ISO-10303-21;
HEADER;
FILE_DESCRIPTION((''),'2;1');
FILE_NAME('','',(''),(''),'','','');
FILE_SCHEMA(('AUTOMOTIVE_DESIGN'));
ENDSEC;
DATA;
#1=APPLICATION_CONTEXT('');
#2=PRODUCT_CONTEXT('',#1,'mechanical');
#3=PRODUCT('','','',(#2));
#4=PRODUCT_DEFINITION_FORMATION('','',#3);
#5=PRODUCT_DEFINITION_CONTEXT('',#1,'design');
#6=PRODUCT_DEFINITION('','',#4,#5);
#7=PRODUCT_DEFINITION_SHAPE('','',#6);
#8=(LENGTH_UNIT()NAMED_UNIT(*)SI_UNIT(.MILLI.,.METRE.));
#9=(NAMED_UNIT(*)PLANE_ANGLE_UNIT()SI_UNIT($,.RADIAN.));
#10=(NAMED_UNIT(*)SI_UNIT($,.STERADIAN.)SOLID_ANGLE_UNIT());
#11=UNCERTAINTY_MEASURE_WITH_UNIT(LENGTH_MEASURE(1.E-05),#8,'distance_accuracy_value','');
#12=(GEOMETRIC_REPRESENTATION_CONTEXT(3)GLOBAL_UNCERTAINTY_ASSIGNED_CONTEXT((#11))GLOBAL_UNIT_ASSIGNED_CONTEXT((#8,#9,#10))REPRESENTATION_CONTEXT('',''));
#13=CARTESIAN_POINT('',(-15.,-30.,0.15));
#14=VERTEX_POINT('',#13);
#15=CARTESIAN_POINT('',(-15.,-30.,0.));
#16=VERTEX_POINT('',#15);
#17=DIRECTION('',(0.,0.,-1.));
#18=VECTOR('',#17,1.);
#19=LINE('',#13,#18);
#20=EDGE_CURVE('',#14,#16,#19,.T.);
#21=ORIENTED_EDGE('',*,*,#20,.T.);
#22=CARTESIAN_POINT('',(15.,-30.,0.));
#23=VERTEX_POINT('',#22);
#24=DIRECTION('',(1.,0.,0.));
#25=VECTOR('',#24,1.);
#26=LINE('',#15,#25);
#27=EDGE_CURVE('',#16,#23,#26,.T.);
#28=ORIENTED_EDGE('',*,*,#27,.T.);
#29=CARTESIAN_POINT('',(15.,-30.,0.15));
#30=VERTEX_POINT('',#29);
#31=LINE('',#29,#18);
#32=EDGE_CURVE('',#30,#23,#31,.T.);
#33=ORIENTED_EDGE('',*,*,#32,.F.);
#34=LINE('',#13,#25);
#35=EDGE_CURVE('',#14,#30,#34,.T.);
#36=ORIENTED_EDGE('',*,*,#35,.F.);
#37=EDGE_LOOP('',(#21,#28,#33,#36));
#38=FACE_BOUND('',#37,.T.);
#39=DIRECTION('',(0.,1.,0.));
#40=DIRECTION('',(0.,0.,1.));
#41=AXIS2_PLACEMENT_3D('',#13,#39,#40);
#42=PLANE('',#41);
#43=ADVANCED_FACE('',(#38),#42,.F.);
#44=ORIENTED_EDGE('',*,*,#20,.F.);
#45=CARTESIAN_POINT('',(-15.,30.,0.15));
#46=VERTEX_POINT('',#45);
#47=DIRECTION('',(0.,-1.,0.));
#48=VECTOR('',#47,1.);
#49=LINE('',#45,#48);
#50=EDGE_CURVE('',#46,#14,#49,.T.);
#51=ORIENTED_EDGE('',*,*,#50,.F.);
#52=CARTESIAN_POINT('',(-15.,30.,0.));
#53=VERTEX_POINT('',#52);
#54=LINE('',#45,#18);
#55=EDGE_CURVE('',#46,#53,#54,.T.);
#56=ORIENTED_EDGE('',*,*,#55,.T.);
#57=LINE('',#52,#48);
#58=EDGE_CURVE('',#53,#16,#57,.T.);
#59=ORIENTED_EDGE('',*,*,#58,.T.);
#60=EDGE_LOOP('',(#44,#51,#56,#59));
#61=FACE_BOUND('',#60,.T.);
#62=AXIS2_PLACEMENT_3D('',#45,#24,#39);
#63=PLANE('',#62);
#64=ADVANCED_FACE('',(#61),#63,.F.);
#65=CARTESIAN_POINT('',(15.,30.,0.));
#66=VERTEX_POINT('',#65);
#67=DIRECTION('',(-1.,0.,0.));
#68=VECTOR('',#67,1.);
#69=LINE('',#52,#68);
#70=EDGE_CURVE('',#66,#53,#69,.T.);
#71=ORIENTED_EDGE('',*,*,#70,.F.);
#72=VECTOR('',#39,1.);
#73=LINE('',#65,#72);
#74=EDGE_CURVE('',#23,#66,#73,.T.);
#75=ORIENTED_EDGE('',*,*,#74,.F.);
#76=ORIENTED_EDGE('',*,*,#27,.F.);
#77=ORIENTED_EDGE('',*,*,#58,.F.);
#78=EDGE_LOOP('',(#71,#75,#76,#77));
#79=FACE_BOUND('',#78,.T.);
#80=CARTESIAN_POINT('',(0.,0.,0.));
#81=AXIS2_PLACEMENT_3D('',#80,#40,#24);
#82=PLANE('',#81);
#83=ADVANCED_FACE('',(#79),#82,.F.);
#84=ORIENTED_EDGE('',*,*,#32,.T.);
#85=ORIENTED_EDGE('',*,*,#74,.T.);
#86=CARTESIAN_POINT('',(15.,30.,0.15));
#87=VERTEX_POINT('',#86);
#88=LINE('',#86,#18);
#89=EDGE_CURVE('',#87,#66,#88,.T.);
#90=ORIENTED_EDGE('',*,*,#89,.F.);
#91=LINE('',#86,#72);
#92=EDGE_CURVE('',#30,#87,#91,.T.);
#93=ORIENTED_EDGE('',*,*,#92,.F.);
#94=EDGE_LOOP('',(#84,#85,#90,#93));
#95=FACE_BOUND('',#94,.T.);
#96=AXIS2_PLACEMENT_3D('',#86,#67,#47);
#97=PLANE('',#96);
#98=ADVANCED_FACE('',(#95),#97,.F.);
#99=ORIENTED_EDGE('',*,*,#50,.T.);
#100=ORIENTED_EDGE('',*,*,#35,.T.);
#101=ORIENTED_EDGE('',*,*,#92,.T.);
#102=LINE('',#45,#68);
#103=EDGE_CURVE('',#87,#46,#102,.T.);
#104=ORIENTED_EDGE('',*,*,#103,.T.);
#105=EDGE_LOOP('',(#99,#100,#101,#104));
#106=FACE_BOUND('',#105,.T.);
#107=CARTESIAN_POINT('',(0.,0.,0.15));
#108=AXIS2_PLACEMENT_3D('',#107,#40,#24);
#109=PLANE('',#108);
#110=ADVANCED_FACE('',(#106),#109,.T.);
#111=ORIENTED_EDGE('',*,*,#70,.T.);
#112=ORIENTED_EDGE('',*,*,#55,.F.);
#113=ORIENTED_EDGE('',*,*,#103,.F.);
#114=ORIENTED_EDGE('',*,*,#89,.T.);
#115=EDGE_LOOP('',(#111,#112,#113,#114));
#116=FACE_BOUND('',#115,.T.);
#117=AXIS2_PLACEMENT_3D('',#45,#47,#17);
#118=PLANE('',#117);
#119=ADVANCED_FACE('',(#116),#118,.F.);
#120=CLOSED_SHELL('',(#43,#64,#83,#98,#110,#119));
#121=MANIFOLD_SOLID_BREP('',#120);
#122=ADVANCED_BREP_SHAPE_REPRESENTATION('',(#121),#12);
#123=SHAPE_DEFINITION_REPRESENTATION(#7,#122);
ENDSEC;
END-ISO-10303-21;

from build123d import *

# Parameters (mm, degrees)
SKETCH1_W           = 30
SKETCH1_H           = 60
BOSS_EXTRUDE1_DEPTH = 0.15


with BuildPart() as part:
    # Sketch1 → Boss-Extrude1 (new body)
    with BuildSketch(Plane.XY):
        Rectangle(SKETCH1_W, SKETCH1_H)
    extrude(amount=BOSS_EXTRUDE1_DEPTH)


solid = part.part
